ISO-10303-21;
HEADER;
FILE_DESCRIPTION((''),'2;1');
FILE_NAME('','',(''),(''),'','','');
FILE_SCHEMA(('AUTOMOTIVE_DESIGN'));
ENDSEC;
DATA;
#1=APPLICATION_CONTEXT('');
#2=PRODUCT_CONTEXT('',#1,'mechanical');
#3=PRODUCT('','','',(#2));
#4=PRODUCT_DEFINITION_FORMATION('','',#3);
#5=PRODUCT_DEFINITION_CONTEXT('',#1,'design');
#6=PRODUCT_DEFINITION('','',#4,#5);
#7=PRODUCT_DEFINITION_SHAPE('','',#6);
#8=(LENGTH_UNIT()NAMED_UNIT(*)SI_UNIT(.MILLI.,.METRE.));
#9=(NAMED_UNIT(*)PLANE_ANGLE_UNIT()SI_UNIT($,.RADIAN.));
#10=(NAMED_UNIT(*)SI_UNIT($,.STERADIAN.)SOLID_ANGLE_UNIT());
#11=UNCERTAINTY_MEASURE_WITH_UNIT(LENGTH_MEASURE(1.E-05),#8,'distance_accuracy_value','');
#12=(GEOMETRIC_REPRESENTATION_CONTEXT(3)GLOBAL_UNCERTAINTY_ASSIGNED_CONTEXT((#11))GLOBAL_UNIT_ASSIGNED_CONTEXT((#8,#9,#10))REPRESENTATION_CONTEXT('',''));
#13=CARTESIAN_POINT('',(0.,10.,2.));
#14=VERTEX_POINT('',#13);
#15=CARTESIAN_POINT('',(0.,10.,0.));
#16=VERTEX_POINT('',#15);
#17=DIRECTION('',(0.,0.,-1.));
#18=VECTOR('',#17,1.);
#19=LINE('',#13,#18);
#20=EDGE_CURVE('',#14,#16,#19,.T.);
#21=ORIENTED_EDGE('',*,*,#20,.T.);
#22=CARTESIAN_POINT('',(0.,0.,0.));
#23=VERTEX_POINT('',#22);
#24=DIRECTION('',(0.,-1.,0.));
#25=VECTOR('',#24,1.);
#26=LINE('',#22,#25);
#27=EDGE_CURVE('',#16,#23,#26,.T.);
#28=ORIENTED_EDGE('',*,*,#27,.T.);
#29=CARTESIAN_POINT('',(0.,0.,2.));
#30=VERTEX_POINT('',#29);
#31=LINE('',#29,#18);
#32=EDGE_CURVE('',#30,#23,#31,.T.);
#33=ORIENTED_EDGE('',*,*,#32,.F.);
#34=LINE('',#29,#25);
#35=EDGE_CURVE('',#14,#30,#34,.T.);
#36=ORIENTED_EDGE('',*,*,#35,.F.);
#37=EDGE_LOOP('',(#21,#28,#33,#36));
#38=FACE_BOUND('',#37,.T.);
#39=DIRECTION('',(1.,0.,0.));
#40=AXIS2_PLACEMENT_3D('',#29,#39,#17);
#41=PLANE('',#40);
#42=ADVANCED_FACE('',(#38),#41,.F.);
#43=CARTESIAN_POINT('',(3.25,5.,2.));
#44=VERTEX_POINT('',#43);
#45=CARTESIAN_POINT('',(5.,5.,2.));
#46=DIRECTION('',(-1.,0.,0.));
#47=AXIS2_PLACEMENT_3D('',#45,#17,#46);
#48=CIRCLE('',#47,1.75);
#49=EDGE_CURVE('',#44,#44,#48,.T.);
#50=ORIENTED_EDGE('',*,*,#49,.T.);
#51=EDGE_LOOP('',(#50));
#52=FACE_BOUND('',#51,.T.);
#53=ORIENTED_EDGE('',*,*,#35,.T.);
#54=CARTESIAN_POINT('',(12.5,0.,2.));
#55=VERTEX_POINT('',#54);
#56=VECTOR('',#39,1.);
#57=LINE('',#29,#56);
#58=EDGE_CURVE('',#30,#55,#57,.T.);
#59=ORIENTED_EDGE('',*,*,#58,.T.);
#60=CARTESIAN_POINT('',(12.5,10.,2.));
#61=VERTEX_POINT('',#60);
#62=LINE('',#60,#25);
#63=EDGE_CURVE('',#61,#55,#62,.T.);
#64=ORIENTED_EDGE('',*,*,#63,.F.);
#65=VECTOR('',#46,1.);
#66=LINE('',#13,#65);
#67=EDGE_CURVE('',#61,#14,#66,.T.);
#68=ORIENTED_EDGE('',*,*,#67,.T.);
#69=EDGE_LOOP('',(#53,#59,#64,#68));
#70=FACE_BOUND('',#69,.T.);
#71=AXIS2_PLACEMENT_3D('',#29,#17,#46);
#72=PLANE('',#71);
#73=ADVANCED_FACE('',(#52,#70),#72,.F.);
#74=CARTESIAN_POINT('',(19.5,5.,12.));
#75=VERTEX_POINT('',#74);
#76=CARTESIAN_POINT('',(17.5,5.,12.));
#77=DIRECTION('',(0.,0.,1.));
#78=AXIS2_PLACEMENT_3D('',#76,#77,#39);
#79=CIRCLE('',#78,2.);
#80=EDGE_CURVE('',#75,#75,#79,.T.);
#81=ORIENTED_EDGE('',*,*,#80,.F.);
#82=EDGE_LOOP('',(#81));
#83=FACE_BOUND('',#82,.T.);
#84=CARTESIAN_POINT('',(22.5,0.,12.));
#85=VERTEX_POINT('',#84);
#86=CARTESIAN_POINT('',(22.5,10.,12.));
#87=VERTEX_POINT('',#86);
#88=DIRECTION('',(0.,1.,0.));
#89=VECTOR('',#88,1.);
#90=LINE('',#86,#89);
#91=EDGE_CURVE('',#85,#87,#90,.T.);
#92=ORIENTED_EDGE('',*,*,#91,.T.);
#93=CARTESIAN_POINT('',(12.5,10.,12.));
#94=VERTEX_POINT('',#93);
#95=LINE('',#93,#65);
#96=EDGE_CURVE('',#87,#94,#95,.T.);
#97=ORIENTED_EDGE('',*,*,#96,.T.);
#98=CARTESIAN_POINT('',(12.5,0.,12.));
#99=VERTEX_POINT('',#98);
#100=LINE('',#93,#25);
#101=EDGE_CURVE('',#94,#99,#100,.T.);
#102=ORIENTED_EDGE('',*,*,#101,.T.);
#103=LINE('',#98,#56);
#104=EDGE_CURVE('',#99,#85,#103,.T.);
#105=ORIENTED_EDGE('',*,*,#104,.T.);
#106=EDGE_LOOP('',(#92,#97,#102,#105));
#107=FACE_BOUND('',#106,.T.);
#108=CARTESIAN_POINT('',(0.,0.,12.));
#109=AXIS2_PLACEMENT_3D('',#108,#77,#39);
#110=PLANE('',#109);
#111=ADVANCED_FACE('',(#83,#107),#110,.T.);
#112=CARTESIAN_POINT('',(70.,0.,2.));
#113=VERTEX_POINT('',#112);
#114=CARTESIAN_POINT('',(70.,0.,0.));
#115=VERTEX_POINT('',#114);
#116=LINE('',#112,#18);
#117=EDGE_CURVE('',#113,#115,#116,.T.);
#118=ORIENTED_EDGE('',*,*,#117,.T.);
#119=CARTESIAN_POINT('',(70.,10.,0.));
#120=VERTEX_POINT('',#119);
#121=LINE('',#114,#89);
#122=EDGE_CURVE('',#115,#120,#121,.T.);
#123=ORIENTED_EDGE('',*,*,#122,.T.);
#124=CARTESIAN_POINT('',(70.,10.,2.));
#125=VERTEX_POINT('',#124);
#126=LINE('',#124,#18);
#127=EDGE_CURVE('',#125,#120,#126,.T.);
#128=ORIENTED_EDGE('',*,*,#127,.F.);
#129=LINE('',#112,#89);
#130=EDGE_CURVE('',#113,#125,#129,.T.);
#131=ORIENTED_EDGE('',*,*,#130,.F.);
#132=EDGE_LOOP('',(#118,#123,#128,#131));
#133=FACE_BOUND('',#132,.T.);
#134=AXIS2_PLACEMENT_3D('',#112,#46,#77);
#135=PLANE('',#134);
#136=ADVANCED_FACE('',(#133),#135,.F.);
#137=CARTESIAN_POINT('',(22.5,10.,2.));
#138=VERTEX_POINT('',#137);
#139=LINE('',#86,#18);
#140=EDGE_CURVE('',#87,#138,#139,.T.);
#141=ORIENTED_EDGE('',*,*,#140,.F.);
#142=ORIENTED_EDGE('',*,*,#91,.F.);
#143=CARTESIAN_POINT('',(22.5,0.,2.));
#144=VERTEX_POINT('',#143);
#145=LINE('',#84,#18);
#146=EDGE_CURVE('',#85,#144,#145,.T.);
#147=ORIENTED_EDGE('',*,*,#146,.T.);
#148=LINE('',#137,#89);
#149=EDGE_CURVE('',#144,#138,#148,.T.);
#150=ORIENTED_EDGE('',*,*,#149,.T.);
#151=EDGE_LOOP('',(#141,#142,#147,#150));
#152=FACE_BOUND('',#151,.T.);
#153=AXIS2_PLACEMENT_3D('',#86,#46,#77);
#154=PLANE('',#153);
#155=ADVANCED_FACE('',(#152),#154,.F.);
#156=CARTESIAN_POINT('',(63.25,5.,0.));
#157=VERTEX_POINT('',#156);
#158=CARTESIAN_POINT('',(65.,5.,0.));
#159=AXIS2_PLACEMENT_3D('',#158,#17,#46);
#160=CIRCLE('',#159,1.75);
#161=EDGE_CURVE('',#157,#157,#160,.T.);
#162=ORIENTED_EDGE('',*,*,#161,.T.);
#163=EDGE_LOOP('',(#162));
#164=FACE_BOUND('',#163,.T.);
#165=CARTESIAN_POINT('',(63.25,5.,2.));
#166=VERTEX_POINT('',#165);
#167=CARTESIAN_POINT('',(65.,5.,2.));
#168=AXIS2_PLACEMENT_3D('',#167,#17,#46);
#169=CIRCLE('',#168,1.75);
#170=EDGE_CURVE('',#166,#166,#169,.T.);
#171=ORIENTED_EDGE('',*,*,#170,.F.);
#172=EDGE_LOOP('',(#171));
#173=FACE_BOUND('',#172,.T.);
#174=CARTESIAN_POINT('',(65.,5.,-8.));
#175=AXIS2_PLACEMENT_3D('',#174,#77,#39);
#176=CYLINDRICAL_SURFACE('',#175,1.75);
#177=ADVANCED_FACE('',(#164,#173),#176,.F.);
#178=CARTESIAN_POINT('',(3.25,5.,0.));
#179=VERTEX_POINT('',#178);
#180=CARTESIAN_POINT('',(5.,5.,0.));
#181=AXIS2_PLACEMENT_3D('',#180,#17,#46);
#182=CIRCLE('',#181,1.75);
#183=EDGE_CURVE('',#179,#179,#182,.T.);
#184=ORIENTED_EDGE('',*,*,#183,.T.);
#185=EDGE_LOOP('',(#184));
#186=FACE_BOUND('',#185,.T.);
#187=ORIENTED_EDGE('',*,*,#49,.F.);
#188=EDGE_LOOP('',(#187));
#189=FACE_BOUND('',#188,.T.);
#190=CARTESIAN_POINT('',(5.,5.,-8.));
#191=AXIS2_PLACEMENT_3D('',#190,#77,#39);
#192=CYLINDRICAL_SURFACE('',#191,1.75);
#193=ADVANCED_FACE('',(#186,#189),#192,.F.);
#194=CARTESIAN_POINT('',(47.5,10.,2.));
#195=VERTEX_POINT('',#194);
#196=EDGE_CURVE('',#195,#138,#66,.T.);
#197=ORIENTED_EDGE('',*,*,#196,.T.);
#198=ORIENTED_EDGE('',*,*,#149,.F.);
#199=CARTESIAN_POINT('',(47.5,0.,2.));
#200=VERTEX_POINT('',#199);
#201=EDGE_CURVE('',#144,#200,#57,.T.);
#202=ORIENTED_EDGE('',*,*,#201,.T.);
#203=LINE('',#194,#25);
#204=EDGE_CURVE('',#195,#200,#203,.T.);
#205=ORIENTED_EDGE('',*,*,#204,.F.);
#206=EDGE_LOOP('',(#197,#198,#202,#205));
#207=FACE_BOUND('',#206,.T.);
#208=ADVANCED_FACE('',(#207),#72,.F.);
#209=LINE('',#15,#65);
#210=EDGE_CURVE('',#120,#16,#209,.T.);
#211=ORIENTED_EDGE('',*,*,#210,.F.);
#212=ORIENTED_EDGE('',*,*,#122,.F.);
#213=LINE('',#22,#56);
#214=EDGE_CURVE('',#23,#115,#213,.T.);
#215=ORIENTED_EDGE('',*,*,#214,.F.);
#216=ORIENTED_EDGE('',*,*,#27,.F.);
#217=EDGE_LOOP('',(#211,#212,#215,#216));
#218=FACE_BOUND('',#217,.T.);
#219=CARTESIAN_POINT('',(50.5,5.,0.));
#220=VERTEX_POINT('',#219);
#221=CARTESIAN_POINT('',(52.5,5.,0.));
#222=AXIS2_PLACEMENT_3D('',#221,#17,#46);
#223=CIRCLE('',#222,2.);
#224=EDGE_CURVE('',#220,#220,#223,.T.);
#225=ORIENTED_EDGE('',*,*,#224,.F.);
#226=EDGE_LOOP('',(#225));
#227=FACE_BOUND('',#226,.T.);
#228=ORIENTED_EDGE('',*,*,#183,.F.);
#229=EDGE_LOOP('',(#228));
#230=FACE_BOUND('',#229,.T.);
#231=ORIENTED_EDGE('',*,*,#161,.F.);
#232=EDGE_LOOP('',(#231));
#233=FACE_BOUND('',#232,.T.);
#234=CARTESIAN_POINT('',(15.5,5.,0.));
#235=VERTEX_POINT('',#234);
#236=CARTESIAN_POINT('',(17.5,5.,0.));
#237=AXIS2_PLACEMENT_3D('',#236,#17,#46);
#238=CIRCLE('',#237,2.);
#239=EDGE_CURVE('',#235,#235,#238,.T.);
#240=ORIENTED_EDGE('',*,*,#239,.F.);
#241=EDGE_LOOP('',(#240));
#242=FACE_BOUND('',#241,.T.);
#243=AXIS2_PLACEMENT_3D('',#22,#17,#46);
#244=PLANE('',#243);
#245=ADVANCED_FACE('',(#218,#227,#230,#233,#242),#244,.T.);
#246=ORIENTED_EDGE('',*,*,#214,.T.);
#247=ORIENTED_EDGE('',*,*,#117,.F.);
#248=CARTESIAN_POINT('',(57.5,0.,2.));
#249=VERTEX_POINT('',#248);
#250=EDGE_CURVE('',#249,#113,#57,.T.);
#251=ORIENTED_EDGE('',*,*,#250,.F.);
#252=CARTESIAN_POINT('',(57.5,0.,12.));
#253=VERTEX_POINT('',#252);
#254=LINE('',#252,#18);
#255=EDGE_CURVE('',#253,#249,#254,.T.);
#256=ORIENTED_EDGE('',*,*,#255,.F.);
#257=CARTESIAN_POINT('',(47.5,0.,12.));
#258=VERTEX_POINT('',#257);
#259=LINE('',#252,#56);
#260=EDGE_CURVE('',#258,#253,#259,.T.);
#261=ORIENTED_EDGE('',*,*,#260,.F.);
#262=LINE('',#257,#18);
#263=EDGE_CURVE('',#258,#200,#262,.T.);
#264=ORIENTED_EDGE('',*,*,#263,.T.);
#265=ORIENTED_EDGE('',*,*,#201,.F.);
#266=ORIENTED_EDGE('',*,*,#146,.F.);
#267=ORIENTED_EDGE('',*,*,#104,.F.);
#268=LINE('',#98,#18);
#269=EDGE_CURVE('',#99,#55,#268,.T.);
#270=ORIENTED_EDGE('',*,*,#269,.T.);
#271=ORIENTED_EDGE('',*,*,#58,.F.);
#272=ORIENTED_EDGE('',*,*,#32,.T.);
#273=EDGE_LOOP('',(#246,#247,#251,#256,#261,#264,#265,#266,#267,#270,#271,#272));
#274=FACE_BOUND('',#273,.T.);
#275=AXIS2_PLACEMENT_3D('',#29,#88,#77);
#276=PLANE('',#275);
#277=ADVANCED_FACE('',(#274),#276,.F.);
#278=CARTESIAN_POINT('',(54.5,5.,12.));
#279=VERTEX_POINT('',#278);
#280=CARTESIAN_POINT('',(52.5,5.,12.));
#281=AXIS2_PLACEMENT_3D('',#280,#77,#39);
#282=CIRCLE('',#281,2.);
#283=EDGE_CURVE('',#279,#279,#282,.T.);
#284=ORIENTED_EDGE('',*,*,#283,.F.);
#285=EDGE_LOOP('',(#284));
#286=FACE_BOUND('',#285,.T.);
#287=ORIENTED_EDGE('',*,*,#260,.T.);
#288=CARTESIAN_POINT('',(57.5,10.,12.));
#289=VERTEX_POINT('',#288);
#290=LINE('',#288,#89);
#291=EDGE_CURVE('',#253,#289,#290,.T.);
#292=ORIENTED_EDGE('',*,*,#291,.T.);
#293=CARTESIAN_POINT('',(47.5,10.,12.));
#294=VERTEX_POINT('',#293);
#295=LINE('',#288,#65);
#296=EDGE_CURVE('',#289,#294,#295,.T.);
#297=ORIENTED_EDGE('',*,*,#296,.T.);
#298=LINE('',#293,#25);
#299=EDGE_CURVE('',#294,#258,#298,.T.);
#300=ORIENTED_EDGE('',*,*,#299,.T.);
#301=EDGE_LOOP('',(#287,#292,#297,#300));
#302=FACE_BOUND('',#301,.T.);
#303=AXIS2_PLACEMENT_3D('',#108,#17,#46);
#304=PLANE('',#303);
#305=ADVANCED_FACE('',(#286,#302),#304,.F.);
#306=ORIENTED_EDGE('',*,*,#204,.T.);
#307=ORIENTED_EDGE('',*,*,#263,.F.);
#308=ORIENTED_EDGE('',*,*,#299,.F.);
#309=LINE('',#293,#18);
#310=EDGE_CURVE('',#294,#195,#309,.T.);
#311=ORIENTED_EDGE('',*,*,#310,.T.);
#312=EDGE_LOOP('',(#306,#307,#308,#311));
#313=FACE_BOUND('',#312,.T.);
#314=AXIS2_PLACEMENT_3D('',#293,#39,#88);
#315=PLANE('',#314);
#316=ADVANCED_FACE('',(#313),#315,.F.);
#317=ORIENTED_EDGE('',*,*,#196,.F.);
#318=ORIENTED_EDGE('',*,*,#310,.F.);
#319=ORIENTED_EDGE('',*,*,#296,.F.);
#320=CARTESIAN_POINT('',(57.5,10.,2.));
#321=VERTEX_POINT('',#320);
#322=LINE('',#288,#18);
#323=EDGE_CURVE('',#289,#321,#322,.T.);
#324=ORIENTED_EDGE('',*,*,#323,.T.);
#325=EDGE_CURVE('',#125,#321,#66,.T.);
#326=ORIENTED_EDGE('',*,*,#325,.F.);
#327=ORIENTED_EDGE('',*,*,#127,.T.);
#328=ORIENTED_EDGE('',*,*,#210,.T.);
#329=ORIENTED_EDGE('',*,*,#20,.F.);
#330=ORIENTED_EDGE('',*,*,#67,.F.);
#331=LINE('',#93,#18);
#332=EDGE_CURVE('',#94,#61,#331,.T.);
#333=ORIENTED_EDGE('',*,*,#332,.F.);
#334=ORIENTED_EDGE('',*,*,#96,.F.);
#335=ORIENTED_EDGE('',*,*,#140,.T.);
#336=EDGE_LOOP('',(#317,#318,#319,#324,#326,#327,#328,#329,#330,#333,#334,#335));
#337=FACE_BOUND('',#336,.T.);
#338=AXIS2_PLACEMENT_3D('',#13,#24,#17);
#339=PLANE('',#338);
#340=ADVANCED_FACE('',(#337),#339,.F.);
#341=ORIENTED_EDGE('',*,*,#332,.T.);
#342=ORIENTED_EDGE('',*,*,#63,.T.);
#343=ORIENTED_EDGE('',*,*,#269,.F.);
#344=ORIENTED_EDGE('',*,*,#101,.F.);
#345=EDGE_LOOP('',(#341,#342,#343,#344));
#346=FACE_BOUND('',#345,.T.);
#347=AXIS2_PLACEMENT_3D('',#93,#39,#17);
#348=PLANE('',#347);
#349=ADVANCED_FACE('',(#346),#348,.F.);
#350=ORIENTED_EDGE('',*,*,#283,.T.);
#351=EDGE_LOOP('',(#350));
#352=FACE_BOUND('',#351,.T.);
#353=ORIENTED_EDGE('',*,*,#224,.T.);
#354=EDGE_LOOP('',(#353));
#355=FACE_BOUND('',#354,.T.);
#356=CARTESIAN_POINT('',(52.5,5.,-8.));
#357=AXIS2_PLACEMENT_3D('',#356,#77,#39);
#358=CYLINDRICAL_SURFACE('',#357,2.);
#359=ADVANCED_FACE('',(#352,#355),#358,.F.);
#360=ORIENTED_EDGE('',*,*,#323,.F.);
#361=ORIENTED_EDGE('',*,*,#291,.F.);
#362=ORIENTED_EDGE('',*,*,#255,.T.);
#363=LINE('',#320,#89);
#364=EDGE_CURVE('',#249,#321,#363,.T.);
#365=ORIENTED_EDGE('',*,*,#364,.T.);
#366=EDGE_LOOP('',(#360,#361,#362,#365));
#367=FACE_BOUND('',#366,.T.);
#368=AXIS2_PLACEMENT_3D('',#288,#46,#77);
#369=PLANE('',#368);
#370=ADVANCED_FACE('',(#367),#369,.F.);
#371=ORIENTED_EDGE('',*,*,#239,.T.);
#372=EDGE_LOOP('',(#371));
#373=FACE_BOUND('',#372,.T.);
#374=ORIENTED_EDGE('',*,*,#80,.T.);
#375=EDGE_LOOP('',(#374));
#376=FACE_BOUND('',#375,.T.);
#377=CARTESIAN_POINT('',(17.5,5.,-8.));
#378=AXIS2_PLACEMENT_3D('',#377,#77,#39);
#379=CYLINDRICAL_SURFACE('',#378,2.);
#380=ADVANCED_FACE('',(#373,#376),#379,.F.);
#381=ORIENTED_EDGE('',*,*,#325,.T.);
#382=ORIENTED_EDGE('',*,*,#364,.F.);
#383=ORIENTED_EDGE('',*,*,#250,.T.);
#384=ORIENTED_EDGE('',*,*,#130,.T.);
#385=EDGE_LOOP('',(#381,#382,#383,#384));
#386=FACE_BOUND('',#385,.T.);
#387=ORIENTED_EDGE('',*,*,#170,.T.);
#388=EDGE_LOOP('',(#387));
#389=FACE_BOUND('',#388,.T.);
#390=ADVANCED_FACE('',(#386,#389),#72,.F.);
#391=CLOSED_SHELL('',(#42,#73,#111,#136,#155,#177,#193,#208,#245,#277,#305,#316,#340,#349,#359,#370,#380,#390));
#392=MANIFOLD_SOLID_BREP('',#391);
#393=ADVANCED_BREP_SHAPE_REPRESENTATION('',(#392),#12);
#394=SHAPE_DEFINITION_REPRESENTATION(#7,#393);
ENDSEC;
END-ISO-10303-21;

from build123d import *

# Parameters (mm, degrees)
ESQUISSE2_W             = 70
ESQUISSE2_H             = 10
BOSS_EXTRU_1_DEPTH      = 2
ESQUISSE3_W             = 10
ESQUISSE3_H             = 10
BOSS_EXTRU_2_DEPTH      = 10
ESQUISSE4_R             = 2
ESQUISSE4_R_2           = 1.75
ENL_V_MAT_EXTRU_1_DEPTH = 20


with BuildPart() as part:
    # Esquisse2 → Boss.-Extru.1 (new body)
    with BuildSketch(Plane.XY):
        with Locations((35, 5)):
            Rectangle(ESQUISSE2_W, ESQUISSE2_H)
    extrude(amount=BOSS_EXTRU_1_DEPTH)

    # Esquisse3 → Boss.-Extru.2 (add)
    with BuildSketch(Plane.XY.offset(2)):
        with Locations((17.5, 5)):
            Rectangle(ESQUISSE3_W, ESQUISSE3_H)
        with Locations((52.5, 5)):
            Rectangle(ESQUISSE3_W, ESQUISSE3_H)
    extrude(amount=BOSS_EXTRU_2_DEPTH)

    # Esquisse4 → Enlèv. mat.-Extru.1 (cut)
    with BuildSketch(Plane.XY.offset(12)):
        with Locations((52.5, 5)):
            Circle(ESQUISSE4_R)
        with Locations((17.5, 5)):
            Circle(ESQUISSE4_R)
        with Locations(Location((5, 5, 0), (0, 0, 180))):
            Circle(ESQUISSE4_R_2)
        with Locations(Location((65, 5, 0), (0, 0, 180))):
            Circle(ESQUISSE4_R_2)
    extrude(amount=-ENL_V_MAT_EXTRU_1_DEPTH, mode=Mode.SUBTRACT)


solid = part.part
